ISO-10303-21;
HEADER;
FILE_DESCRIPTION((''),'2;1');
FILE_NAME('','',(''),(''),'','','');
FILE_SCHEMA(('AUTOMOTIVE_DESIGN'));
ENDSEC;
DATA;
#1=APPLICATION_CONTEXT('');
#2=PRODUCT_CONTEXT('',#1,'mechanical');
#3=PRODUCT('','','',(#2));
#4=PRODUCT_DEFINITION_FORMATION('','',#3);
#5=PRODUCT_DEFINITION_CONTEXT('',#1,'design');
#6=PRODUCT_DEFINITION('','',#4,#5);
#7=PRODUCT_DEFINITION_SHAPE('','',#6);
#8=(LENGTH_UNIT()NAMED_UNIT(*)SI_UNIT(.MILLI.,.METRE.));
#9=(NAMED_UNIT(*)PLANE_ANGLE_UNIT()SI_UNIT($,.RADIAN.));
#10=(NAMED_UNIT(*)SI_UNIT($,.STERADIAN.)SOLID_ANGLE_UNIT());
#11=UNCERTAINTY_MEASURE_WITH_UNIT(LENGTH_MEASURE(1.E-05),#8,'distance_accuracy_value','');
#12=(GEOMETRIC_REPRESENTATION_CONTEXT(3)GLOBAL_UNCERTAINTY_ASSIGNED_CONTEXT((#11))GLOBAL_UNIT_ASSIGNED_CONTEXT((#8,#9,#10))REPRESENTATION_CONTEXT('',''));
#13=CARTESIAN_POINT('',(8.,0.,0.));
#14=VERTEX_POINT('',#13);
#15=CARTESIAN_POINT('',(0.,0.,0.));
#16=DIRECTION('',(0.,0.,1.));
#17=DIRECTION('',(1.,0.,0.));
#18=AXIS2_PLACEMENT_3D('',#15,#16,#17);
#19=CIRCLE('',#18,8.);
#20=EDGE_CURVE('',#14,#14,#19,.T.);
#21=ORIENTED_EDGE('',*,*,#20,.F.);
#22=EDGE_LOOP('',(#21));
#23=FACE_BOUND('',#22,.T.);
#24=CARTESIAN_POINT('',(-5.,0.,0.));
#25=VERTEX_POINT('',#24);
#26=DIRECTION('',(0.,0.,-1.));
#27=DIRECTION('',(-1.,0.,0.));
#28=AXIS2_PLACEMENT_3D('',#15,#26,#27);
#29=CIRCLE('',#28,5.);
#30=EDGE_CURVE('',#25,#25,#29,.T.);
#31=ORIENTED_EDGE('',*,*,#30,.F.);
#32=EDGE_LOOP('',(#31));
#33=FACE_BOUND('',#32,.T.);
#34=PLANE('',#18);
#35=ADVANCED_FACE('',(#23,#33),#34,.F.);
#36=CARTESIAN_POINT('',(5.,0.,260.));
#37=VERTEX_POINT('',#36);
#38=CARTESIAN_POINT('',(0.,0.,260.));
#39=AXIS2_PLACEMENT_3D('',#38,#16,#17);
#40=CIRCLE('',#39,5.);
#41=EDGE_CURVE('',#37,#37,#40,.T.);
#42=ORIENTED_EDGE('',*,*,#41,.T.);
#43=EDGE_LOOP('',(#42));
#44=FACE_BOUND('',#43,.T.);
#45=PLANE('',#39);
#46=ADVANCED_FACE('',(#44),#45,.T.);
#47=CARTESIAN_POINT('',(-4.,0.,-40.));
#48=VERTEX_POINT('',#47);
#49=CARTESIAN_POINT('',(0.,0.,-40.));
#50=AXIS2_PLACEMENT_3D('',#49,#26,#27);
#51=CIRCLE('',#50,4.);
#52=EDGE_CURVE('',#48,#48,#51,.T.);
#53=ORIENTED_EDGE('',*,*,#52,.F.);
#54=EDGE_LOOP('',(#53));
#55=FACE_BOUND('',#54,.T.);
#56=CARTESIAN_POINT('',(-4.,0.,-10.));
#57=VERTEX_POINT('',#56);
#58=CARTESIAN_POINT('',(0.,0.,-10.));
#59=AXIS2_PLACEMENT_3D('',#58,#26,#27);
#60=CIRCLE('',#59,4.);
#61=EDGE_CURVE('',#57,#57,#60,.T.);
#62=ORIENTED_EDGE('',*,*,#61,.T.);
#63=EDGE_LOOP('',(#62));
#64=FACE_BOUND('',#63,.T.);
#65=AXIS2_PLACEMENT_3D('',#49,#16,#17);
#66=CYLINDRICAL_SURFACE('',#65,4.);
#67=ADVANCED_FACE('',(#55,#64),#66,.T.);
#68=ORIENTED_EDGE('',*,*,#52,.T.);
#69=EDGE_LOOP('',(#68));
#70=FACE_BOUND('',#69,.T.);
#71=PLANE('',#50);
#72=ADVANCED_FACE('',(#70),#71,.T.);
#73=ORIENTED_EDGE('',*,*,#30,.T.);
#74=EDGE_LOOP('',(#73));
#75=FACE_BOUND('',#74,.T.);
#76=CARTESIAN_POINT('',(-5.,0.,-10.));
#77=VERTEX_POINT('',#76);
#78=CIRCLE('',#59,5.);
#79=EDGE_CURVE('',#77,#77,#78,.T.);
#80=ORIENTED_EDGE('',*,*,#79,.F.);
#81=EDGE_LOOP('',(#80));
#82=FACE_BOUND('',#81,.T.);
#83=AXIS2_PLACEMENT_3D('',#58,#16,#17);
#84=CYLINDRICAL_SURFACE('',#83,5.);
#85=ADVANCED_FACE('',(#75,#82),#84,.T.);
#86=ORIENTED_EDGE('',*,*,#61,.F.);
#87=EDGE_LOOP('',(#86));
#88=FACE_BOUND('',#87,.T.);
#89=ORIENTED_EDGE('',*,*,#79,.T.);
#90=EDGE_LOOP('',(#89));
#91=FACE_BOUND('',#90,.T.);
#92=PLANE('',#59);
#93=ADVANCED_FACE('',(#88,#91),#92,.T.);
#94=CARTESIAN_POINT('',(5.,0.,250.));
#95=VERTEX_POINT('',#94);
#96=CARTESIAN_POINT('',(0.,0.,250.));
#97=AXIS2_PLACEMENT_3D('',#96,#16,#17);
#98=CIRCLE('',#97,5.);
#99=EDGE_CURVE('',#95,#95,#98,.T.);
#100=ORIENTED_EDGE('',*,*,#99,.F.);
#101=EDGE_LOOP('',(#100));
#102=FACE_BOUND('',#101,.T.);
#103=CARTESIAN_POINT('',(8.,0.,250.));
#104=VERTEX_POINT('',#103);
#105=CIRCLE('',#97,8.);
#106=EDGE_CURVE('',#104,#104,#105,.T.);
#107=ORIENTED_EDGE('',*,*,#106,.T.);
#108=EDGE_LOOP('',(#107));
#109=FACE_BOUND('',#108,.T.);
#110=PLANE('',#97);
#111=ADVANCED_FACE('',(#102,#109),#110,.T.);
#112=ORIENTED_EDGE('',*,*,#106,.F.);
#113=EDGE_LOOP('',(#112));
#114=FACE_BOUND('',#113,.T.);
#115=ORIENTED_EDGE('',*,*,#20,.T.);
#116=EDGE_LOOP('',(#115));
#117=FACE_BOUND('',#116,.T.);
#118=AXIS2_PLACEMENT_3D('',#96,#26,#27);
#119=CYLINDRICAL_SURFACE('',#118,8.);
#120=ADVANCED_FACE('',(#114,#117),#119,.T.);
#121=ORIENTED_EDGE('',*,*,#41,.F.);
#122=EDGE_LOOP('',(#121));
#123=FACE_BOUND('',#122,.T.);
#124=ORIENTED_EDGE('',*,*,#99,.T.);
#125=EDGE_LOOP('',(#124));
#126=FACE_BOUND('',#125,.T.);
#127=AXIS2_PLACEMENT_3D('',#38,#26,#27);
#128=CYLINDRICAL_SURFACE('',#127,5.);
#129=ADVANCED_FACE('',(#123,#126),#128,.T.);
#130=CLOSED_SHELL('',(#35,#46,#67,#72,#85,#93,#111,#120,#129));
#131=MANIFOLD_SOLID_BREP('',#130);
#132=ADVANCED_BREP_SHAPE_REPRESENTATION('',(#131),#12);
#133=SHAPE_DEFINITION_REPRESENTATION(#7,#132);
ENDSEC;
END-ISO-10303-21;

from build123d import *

# Parameters (mm, degrees)
SKETCH1_R           = 8
BOSS_EXTRUDE1_DEPTH = 250
SKETCH2_R           = 5
BOSS_EXTRUDE2_DEPTH = 10
SKETCH3_R           = 5
BOSS_EXTRUDE3_DEPTH = 10
SKETCH4_R           = 4
BOSS_EXTRUDE4_DEPTH = 30


with BuildPart() as part:
    # Sketch1 → Boss-Extrude1 (new body)
    with BuildSketch(Plane.XY):
        Circle(SKETCH1_R)
    extrude(amount=BOSS_EXTRUDE1_DEPTH)

    # Sketch2 → Boss-Extrude2 (add)
    with BuildSketch(Plane.XY.offset(250)):
        Circle(SKETCH2_R)
    extrude(amount=BOSS_EXTRUDE2_DEPTH)

    # Sketch3 → Boss-Extrude3 (add)
    with BuildSketch(Plane(origin=(0, 0, 0), x_dir=(-1, 0, 0), z_dir=(0, 0, -1))):
        Circle(SKETCH3_R)
    extrude(amount=BOSS_EXTRUDE3_DEPTH)

    # Sketch4 → Boss-Extrude4 (add)
    with BuildSketch(Plane(origin=(0, 0, -10), x_dir=(-1, 0, 0), z_dir=(0, 0, -1))):
        Circle(SKETCH4_R)
    extrude(amount=BOSS_EXTRUDE4_DEPTH)


solid = part.part
